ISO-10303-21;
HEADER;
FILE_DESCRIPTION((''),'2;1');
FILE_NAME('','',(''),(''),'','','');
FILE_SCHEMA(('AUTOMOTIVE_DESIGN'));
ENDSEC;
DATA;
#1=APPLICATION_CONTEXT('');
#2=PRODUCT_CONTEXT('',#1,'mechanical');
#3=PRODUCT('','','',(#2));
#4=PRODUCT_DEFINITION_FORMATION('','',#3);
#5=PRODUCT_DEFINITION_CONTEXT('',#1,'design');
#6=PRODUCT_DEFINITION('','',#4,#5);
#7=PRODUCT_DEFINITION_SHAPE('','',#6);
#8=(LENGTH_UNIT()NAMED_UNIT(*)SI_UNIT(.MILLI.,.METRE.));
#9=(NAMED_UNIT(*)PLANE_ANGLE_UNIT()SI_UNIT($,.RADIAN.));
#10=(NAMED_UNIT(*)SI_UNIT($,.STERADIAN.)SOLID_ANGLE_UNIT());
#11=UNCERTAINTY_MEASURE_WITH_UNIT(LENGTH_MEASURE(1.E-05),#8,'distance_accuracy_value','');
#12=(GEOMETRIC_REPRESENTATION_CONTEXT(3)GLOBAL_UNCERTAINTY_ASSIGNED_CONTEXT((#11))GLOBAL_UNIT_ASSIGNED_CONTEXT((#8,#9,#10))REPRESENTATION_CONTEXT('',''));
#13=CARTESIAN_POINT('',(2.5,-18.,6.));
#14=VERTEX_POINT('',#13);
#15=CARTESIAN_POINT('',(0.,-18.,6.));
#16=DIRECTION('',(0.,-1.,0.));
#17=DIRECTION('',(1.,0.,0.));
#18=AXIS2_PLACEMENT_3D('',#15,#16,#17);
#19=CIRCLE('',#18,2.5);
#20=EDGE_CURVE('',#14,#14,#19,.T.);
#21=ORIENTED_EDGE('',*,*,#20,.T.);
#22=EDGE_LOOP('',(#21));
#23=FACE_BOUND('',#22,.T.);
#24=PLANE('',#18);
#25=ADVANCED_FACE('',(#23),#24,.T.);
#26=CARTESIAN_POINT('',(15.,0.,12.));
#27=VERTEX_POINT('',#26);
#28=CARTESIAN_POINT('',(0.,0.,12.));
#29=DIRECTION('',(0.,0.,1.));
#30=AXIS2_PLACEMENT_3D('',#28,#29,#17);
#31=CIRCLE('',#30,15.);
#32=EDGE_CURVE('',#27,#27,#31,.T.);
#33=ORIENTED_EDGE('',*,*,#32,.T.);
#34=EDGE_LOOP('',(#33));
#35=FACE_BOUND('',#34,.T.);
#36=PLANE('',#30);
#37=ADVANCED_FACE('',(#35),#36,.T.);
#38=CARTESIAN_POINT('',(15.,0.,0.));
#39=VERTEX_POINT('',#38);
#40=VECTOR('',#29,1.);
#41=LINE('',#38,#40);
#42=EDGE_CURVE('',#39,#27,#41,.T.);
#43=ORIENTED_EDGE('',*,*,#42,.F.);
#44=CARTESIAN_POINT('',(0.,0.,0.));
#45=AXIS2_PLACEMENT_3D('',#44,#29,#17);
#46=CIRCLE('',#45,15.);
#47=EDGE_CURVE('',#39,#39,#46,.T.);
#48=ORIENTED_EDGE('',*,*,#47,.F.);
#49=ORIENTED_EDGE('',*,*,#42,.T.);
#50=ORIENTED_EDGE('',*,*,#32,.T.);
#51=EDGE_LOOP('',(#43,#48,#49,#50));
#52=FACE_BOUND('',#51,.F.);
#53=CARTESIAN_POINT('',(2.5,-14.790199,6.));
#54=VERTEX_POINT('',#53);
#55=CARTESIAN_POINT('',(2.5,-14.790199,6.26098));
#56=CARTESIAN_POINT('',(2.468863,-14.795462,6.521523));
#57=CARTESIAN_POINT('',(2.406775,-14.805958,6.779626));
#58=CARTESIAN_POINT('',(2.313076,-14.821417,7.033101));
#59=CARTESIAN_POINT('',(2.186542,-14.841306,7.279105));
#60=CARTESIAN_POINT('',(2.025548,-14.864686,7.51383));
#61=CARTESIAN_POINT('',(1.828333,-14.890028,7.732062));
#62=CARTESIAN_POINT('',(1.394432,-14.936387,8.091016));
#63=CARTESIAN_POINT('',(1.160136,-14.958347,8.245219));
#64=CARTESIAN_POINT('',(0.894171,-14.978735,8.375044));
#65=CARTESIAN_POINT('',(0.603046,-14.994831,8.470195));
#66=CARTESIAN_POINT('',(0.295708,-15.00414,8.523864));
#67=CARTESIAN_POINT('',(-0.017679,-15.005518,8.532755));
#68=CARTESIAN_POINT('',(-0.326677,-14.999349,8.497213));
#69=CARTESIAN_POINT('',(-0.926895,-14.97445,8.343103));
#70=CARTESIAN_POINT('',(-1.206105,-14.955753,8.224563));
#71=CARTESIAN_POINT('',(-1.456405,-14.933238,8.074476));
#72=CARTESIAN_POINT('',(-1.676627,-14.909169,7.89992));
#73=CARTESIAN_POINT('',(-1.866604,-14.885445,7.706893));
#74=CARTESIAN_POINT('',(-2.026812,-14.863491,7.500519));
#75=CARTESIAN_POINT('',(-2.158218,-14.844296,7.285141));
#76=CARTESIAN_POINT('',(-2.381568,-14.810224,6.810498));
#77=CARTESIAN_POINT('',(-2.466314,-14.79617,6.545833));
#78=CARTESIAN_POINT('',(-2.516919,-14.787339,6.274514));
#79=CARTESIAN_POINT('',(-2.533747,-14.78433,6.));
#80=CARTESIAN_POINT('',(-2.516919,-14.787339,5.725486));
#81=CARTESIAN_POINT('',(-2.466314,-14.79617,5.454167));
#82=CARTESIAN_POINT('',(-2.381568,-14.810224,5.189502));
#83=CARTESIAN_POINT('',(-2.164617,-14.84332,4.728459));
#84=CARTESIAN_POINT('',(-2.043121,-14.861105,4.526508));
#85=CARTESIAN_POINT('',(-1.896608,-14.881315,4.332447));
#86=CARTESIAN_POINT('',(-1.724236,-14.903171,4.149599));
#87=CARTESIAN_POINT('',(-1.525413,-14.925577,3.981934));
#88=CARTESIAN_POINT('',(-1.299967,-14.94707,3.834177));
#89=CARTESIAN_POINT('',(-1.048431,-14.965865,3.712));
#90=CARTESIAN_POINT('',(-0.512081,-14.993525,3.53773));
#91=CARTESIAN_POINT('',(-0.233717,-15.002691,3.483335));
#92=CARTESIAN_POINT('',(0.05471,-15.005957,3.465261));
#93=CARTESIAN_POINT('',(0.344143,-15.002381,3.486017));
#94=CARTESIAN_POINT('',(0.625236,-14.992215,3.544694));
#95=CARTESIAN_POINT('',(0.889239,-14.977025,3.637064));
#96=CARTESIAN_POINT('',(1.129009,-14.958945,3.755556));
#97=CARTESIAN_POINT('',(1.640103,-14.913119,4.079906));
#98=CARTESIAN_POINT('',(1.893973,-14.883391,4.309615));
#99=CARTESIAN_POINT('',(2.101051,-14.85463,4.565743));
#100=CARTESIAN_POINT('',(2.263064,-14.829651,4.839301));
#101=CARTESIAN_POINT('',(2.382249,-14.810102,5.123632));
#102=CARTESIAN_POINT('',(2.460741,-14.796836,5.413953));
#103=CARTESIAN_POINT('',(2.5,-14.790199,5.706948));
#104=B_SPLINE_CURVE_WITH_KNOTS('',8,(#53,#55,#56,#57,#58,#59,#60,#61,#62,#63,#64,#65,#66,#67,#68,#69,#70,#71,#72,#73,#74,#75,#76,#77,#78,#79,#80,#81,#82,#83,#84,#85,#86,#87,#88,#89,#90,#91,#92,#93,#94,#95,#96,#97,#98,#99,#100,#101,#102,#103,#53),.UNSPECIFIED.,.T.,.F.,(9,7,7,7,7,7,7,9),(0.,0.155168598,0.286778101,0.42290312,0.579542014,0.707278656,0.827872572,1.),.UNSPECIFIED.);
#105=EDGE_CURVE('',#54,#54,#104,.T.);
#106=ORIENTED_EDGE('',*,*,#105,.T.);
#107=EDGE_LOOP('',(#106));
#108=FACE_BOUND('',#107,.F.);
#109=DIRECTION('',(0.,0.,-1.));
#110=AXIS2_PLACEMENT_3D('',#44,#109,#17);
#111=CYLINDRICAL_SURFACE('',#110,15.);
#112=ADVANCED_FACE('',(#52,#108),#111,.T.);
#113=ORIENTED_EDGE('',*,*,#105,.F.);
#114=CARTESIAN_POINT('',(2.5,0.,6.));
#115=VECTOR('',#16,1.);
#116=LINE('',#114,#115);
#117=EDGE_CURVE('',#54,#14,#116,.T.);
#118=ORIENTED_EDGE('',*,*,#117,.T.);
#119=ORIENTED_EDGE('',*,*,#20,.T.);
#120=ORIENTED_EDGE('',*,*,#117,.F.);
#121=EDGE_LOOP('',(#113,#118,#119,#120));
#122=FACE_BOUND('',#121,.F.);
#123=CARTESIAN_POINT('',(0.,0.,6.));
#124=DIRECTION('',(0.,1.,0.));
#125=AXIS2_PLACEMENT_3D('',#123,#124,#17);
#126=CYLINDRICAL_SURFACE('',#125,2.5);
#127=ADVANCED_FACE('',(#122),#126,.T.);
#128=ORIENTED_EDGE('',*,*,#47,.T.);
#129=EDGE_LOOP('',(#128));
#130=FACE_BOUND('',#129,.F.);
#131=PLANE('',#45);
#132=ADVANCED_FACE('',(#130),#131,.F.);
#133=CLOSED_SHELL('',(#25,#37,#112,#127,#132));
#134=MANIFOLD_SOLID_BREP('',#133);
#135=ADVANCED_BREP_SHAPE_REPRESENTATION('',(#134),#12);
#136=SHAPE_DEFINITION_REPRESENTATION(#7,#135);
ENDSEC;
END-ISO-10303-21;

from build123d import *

# Parameters (mm, degrees)
F0_R     = 15
F1_DEPTH = 12
F2_R     = 2.5
F3_DEPTH = 18


with BuildPart() as f1:
    # F0 (on Top) → F1 (new body)
    with BuildSketch(Plane.XY):
        Circle(F0_R)
    extrude(amount=F1_DEPTH)

    # F2 (on Front) → F3 (join)
    with BuildSketch(Plane.XZ):
        with Locations((0, 6)):
            Circle(F2_R)
    extrude(amount=F3_DEPTH)


solid = f1.part
